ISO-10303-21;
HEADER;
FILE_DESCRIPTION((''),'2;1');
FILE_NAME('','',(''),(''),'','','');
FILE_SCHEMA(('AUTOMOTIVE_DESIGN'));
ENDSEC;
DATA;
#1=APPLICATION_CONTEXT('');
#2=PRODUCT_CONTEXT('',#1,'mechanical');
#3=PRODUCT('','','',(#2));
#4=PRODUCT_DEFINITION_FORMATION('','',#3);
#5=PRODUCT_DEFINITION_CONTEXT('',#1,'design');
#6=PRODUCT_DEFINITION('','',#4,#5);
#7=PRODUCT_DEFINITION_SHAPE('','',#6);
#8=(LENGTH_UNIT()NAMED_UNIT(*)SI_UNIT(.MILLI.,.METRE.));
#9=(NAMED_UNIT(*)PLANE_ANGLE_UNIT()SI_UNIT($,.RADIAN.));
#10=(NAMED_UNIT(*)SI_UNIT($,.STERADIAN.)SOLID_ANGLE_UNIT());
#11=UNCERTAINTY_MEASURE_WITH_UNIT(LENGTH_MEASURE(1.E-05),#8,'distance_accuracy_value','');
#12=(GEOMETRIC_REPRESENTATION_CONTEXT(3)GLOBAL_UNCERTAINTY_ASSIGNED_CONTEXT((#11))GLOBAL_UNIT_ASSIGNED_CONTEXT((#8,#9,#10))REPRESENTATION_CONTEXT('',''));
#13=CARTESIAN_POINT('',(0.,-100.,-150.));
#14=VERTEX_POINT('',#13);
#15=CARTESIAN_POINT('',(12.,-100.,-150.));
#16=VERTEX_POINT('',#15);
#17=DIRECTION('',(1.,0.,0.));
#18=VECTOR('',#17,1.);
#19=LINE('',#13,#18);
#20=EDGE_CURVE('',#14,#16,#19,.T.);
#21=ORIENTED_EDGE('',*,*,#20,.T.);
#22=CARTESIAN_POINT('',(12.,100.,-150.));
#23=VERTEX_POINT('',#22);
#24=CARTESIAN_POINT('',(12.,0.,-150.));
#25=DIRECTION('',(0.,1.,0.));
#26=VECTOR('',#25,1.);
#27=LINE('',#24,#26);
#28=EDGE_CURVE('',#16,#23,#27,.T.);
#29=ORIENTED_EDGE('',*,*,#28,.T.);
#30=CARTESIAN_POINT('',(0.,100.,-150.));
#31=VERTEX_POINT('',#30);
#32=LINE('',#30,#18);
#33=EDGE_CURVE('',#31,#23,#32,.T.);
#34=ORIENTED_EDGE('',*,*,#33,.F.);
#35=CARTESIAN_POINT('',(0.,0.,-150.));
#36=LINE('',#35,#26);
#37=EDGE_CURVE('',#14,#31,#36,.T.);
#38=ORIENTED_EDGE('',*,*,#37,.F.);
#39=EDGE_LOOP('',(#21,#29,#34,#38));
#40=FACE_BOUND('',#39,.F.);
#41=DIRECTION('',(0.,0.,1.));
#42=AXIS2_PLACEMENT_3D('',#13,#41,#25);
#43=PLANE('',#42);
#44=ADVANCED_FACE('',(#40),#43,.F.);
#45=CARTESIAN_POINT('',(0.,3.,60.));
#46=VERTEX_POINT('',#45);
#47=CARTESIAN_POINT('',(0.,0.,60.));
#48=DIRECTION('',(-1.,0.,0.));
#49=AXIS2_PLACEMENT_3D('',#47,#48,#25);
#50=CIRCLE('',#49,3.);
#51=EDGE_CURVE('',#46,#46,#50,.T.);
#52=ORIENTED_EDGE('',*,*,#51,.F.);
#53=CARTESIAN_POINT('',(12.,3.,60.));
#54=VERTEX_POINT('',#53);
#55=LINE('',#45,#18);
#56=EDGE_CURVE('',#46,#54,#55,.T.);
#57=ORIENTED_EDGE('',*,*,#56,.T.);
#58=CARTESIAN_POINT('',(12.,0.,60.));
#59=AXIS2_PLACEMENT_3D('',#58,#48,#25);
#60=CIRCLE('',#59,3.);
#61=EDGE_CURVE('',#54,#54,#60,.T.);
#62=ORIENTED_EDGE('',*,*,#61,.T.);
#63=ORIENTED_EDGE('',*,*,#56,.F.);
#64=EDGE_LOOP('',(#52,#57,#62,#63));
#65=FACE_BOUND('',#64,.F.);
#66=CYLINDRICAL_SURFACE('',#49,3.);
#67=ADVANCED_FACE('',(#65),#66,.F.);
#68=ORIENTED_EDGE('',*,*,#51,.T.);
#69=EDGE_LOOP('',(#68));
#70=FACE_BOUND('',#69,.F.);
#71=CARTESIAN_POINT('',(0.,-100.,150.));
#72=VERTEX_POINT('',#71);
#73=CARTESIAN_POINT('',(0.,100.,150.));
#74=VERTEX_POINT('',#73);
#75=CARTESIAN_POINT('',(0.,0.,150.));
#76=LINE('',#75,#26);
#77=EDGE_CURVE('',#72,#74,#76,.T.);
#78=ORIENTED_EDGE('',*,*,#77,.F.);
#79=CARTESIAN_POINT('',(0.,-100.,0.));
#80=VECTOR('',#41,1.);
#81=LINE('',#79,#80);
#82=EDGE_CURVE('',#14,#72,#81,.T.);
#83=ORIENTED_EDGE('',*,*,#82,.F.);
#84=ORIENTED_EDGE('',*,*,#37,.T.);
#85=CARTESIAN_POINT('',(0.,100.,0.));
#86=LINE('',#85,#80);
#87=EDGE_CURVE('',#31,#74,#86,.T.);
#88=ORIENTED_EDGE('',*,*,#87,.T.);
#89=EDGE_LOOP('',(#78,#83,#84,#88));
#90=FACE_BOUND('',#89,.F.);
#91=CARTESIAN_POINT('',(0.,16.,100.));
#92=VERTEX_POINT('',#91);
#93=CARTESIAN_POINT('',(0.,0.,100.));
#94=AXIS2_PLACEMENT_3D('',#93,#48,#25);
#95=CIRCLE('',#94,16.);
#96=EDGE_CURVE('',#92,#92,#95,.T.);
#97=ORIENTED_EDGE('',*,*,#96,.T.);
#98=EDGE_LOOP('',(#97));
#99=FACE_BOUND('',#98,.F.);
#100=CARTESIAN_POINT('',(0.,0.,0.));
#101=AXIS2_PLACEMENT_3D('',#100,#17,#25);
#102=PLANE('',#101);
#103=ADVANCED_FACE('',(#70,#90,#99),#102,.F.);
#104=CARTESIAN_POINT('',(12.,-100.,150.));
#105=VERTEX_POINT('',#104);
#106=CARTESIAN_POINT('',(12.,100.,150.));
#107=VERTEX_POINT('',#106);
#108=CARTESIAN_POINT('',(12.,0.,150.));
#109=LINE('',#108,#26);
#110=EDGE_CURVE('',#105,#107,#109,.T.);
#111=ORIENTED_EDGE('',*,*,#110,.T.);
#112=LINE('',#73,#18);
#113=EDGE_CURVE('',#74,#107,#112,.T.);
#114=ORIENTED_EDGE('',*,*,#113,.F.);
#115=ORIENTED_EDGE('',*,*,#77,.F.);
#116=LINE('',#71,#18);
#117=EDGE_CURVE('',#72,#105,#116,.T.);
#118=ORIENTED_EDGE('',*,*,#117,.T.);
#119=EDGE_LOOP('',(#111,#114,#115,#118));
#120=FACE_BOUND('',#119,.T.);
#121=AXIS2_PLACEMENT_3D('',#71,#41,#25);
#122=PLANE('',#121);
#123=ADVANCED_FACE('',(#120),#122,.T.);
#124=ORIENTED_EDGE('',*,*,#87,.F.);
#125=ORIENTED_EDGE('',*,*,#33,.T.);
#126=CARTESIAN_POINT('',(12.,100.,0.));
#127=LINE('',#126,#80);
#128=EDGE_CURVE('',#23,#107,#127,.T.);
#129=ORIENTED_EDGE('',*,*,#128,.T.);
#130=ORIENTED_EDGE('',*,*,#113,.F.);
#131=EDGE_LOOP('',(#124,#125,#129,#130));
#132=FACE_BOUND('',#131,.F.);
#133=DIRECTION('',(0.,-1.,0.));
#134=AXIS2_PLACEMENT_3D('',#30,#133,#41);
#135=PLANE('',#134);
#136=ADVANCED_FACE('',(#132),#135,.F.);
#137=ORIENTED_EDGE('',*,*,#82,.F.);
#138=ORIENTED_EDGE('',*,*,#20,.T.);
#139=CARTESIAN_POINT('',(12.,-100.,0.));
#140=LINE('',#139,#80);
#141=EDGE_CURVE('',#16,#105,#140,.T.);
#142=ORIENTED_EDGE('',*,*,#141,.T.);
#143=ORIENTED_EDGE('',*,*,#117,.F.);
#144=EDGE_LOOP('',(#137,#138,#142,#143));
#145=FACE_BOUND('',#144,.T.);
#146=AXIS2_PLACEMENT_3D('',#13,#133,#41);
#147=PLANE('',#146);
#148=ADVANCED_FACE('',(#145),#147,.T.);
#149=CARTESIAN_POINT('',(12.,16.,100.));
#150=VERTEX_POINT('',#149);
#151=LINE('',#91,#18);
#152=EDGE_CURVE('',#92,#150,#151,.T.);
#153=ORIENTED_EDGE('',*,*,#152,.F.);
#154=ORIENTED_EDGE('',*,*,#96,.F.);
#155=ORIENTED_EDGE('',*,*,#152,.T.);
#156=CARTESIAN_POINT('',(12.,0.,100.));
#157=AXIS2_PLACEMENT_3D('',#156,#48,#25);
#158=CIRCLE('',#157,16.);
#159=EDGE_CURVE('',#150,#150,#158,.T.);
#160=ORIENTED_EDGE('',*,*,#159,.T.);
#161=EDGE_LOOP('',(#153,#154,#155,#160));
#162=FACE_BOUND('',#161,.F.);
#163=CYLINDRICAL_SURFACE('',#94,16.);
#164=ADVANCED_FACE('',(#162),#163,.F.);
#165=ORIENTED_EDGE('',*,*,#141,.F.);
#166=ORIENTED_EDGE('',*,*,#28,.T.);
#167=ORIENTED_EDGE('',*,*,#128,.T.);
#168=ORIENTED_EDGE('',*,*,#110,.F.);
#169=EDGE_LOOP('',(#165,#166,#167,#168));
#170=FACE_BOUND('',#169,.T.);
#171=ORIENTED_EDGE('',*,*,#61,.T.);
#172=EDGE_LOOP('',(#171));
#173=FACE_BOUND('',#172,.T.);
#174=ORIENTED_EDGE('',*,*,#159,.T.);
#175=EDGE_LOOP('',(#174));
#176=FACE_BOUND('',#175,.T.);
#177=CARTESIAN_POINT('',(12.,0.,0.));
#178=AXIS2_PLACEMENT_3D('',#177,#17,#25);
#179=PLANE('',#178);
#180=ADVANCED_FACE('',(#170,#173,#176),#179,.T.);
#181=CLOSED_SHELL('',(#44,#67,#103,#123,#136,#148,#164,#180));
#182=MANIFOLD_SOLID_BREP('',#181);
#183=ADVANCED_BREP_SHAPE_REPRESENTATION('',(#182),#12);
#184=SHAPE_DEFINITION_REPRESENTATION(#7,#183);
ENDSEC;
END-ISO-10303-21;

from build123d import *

# Parameters (mm, degrees)
SKETCH_W      = 200
SKETCH_H      = 300
PAD_DEPTH     = 12
SKETCH001_R   = 16
SKETCH001_R_2 = 3
POCKET_DEPTH  = 12.001


with BuildPart() as part:
    # Sketch → Pad (new body)
    with BuildSketch(Plane.YZ):
        Rectangle(SKETCH_W, SKETCH_H)
    extrude(amount=PAD_DEPTH)

    # Sketch001 (on Face5 of Pad) → Pocket (cut, through all)
    with BuildSketch(Plane(origin=(0, 0, 0), x_dir=(0, 1, 0), z_dir=(-1, 0, 0))):
        with Locations((0, -100)):
            Circle(SKETCH001_R)
        with Locations((0, -60)):
            Circle(SKETCH001_R_2)
    extrude(amount=-POCKET_DEPTH, mode=Mode.SUBTRACT)


solid = part.part
